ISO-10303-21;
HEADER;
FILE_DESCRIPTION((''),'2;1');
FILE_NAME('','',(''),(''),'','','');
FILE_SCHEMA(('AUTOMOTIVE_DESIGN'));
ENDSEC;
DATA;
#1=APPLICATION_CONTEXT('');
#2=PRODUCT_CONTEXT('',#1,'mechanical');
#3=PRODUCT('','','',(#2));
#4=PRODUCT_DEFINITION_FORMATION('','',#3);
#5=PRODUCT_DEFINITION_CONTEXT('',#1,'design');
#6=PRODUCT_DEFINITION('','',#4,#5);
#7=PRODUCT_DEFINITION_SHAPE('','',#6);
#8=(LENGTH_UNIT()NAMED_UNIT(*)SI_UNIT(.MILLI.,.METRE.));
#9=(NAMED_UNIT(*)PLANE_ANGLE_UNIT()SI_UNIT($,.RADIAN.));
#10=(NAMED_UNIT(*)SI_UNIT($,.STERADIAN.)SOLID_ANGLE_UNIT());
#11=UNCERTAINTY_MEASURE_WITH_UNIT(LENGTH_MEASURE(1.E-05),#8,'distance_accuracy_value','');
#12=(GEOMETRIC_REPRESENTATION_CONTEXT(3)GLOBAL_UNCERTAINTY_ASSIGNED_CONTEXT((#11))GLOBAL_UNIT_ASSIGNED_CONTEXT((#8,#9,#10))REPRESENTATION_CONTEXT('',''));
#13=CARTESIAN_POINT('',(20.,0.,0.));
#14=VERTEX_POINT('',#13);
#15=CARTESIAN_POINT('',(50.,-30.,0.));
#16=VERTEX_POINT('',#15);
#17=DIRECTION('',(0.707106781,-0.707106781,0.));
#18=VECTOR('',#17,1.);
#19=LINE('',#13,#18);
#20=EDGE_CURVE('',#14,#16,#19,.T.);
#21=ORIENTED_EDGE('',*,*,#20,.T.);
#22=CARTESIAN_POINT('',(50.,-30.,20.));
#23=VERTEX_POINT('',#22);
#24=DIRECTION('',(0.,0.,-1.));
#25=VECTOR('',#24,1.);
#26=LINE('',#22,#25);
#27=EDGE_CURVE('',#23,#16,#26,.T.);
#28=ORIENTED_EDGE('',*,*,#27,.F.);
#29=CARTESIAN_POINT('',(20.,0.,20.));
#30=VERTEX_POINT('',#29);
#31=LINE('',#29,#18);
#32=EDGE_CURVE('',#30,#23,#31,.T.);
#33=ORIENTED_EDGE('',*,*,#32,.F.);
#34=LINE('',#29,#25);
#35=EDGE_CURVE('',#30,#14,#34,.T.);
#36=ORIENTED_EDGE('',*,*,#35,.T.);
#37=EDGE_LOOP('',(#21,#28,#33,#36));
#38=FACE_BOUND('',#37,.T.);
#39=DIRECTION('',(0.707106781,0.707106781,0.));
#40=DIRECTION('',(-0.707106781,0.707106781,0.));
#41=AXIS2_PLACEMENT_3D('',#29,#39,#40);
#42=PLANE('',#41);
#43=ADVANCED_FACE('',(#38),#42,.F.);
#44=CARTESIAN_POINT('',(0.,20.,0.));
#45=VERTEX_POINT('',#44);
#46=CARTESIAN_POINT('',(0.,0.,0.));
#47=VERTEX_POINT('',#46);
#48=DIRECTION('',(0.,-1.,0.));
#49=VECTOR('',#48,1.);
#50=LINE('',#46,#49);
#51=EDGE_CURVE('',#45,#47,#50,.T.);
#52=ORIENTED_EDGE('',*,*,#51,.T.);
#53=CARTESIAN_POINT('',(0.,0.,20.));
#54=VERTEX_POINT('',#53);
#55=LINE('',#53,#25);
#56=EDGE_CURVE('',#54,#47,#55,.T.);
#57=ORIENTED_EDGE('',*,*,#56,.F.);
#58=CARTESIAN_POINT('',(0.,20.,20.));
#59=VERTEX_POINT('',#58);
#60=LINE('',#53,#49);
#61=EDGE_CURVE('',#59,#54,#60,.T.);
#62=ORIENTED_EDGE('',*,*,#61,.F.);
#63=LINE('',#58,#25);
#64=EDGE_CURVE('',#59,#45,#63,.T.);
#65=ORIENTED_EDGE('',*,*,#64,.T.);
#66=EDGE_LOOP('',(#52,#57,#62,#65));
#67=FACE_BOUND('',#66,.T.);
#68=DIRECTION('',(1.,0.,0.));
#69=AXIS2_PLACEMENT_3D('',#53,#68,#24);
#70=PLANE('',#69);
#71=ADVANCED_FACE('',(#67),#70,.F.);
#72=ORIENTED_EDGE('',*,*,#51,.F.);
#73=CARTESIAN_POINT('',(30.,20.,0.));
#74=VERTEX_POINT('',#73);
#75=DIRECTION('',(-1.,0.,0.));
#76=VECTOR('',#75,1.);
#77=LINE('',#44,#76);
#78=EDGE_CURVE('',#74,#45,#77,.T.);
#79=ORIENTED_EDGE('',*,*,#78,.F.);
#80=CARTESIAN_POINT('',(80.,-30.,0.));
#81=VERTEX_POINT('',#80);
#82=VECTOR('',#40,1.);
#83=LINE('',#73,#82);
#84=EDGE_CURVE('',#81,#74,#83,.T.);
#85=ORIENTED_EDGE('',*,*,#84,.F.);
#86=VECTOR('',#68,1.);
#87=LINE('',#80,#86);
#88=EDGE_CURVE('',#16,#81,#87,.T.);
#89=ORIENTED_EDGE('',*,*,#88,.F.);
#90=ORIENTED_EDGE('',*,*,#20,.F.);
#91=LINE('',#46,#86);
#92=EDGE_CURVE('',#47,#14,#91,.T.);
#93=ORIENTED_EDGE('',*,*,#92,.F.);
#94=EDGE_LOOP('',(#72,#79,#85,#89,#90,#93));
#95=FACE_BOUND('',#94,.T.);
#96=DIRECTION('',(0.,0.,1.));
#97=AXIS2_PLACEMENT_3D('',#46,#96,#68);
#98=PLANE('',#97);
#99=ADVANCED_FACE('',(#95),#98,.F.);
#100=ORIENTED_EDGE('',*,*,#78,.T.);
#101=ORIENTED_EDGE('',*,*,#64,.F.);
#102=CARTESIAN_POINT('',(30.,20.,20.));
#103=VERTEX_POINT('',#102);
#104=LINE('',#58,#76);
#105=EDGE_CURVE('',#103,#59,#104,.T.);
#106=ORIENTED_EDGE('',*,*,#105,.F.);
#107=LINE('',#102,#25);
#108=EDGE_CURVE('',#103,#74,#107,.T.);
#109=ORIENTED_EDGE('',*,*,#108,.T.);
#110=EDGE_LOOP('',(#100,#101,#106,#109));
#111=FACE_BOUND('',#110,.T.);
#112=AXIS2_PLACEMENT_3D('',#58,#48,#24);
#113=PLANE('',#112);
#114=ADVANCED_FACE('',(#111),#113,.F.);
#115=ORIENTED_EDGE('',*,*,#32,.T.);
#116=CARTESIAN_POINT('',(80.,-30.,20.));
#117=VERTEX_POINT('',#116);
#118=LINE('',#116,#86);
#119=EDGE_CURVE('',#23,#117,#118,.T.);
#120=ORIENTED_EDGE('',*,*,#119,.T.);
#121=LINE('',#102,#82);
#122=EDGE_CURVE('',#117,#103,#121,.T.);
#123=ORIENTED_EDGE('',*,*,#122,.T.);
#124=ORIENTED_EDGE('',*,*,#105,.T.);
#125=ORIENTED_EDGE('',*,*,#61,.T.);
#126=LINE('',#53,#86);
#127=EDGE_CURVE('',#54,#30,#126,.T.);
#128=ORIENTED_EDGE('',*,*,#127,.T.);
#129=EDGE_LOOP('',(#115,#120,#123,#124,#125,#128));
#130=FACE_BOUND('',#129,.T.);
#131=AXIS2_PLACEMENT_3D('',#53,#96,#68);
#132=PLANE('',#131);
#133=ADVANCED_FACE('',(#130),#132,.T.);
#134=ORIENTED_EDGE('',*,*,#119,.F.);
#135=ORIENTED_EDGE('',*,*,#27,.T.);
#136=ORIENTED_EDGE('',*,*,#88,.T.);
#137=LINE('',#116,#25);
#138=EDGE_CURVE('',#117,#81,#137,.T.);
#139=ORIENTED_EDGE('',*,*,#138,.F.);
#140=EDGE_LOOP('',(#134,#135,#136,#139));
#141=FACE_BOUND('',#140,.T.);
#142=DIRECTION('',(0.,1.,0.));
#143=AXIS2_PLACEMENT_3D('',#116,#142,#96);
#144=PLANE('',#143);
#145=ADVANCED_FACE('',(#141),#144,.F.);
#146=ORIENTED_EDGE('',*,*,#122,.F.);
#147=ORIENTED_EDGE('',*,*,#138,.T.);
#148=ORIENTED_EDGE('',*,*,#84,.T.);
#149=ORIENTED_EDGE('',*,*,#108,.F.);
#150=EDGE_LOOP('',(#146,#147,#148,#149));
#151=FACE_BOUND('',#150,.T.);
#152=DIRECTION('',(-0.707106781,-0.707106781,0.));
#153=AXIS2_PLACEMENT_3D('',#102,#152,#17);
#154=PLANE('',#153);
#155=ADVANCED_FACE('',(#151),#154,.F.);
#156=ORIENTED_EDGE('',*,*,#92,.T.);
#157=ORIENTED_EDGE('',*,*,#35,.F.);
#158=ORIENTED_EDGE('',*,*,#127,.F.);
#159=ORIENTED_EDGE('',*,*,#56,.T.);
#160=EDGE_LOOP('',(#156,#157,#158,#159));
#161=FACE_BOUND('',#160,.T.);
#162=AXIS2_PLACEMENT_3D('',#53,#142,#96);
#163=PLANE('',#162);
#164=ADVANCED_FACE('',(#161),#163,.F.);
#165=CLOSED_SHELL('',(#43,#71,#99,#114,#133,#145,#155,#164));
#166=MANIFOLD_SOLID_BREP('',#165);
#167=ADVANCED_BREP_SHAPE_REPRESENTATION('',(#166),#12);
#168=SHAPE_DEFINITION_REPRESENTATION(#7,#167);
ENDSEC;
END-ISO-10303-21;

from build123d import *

# Parameters (mm, degrees)
BOSS_EXTRUDE1_DEPTH = 20


with BuildPart() as part:
    # Sketch1 → Boss-Extrude1 (new body)
    with BuildSketch(Plane.XY):
        Polygon((0, 0), (0, 20), (30, 20), (80, -30), (50, -30), (20, 0), align=None)
    extrude(amount=BOSS_EXTRUDE1_DEPTH)


solid = part.part
